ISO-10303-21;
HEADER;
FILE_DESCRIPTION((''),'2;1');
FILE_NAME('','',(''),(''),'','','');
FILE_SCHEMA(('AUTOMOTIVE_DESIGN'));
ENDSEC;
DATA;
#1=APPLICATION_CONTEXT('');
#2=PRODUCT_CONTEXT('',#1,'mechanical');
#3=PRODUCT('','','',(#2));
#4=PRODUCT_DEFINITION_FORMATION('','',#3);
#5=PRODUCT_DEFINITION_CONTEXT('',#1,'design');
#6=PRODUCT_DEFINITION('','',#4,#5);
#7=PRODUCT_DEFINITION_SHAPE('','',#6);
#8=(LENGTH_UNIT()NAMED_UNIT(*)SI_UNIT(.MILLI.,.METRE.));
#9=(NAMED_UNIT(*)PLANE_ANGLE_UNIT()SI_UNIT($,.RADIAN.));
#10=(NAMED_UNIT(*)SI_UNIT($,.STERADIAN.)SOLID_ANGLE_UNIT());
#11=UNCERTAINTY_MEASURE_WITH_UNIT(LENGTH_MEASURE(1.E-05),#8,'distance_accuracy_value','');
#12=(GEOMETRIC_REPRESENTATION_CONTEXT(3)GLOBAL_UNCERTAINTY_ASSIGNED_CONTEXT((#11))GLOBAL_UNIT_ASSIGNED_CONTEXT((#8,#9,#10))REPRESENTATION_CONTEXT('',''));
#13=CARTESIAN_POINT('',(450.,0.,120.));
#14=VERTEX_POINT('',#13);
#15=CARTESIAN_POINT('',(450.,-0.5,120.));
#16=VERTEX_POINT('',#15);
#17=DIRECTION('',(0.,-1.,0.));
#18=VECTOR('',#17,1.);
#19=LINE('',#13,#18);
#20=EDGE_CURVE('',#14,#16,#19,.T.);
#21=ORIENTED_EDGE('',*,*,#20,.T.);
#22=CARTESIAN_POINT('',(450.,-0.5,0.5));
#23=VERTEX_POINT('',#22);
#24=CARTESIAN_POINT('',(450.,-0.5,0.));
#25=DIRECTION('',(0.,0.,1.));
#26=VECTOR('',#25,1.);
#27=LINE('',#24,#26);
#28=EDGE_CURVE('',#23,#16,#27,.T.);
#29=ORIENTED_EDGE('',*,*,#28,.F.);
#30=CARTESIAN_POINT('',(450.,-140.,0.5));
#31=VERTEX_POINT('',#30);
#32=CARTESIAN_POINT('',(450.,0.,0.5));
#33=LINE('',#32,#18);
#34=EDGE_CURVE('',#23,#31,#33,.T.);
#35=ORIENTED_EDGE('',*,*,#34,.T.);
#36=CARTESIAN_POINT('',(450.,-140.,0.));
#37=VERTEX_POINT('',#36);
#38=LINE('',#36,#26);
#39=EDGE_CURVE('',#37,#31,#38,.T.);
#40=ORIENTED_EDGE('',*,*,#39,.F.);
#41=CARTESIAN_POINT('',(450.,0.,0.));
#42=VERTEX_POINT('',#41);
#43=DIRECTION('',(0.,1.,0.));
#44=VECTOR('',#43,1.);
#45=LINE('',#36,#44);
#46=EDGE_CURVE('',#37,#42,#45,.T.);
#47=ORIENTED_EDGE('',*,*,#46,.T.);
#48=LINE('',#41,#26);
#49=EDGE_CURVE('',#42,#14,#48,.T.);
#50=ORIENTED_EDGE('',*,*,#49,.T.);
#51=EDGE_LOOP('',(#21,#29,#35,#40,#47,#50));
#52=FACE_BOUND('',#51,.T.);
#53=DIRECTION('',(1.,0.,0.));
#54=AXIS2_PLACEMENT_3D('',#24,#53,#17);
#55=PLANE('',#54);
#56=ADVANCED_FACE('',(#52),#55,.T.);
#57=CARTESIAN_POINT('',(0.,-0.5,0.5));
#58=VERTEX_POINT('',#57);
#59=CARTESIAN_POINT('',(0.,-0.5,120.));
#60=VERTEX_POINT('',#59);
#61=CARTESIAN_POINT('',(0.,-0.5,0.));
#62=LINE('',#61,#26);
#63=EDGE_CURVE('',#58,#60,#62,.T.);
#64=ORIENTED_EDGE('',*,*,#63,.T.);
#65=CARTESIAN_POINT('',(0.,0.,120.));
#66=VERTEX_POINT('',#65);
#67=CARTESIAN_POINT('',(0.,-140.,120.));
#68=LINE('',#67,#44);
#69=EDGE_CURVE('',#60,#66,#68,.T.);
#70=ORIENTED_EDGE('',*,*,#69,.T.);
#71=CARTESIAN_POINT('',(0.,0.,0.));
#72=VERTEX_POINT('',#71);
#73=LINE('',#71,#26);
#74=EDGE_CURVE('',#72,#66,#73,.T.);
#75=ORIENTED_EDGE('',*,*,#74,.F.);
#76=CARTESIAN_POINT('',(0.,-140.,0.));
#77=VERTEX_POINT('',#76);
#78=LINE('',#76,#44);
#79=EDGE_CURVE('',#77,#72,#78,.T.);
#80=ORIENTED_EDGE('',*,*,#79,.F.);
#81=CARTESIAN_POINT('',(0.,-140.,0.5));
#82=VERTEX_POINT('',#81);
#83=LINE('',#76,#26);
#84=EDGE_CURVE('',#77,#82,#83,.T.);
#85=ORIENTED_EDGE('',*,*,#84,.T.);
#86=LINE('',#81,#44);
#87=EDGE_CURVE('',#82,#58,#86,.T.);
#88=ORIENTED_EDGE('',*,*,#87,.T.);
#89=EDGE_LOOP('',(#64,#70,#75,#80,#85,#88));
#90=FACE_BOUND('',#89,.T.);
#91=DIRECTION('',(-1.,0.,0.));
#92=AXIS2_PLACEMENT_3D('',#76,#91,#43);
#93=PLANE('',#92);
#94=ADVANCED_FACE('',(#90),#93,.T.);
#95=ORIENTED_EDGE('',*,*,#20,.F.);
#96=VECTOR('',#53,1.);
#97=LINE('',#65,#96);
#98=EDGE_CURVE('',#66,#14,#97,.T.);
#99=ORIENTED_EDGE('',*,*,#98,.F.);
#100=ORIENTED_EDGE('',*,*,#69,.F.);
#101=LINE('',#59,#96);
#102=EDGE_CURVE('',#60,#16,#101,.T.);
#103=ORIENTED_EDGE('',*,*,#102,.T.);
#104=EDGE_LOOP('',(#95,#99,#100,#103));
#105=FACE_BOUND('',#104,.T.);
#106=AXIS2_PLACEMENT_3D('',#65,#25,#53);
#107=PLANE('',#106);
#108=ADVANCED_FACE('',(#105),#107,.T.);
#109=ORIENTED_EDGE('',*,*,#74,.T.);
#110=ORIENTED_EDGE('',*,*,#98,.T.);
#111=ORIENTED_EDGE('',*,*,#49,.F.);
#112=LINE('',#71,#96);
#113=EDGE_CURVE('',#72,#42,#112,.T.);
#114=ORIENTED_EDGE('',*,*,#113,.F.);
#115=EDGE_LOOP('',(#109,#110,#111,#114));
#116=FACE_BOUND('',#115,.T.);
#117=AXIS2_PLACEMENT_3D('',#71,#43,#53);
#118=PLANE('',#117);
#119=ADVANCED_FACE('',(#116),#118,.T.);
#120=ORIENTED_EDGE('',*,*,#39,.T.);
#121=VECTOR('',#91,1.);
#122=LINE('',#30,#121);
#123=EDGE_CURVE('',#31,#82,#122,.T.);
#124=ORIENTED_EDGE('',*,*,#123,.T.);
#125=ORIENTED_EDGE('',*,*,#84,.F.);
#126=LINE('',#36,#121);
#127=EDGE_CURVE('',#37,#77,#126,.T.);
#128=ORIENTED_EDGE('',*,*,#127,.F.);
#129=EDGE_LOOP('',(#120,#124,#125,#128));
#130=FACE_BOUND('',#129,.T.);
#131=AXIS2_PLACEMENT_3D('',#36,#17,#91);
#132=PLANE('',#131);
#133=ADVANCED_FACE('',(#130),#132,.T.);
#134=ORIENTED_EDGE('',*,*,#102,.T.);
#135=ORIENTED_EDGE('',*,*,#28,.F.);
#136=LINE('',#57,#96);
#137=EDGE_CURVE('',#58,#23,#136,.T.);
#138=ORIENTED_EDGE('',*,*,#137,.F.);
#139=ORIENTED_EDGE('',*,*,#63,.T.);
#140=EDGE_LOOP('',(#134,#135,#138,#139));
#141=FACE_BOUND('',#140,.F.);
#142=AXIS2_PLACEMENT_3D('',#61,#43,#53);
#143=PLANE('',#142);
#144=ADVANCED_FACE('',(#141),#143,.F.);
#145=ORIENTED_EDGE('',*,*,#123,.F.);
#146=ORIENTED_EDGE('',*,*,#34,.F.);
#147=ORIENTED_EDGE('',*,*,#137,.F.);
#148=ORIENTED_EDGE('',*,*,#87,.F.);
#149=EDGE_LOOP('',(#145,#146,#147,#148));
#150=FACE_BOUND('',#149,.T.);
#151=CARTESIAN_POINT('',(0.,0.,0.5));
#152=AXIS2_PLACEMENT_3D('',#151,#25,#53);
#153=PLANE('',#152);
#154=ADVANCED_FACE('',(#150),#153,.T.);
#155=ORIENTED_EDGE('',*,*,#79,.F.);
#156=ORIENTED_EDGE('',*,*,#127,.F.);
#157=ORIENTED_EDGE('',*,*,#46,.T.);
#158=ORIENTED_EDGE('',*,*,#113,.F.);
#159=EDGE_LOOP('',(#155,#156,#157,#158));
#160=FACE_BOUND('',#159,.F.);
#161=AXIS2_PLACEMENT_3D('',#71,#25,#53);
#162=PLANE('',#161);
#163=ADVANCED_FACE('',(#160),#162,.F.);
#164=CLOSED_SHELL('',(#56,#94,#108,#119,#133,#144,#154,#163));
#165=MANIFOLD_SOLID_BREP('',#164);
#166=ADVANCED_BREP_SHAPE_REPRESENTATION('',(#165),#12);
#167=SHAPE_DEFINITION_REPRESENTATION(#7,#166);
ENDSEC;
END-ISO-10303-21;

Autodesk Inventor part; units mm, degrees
ref_plane "YZ Plane" through (0, 0, 0) normal (1, 0, 0) x (0, 1, 0)
ref_plane "XZ Plane" through (0, 0, 0) normal (0, 1, 0) x (-1, 0, 0)
ref_plane "XY Plane" through (0, 0, 0) normal (0, 0, 1) x (1, 0, 0)
sketch "スケッチ1" plane through (0, 0, 0) normal (0, 0, 1) x (1, 0, 0)
  line L0 (0, 0) -> (450, 0)
  line L1 (450, 0) -> (450, -140)
  line L2 (450, -140) -> (0, -140)
  line L3 (0, -140) -> (0, 0)
  line L4 (0, -0.5) -> (450, -0.5)
  dimension "d0" = 450
  dimension "d1" = 140
  dimension "d2" = 0.5
extrude "押し出し1" add sketch "スケッチ1" along normal blind 0.5 contours L4 L1 L2 L3
extrude "押し出し2" add sketch "スケッチ1" along normal blind 120 contours L0 L1 L4 L3
properties part number "フルクロス" material "ポリカーボネート、クリア"
